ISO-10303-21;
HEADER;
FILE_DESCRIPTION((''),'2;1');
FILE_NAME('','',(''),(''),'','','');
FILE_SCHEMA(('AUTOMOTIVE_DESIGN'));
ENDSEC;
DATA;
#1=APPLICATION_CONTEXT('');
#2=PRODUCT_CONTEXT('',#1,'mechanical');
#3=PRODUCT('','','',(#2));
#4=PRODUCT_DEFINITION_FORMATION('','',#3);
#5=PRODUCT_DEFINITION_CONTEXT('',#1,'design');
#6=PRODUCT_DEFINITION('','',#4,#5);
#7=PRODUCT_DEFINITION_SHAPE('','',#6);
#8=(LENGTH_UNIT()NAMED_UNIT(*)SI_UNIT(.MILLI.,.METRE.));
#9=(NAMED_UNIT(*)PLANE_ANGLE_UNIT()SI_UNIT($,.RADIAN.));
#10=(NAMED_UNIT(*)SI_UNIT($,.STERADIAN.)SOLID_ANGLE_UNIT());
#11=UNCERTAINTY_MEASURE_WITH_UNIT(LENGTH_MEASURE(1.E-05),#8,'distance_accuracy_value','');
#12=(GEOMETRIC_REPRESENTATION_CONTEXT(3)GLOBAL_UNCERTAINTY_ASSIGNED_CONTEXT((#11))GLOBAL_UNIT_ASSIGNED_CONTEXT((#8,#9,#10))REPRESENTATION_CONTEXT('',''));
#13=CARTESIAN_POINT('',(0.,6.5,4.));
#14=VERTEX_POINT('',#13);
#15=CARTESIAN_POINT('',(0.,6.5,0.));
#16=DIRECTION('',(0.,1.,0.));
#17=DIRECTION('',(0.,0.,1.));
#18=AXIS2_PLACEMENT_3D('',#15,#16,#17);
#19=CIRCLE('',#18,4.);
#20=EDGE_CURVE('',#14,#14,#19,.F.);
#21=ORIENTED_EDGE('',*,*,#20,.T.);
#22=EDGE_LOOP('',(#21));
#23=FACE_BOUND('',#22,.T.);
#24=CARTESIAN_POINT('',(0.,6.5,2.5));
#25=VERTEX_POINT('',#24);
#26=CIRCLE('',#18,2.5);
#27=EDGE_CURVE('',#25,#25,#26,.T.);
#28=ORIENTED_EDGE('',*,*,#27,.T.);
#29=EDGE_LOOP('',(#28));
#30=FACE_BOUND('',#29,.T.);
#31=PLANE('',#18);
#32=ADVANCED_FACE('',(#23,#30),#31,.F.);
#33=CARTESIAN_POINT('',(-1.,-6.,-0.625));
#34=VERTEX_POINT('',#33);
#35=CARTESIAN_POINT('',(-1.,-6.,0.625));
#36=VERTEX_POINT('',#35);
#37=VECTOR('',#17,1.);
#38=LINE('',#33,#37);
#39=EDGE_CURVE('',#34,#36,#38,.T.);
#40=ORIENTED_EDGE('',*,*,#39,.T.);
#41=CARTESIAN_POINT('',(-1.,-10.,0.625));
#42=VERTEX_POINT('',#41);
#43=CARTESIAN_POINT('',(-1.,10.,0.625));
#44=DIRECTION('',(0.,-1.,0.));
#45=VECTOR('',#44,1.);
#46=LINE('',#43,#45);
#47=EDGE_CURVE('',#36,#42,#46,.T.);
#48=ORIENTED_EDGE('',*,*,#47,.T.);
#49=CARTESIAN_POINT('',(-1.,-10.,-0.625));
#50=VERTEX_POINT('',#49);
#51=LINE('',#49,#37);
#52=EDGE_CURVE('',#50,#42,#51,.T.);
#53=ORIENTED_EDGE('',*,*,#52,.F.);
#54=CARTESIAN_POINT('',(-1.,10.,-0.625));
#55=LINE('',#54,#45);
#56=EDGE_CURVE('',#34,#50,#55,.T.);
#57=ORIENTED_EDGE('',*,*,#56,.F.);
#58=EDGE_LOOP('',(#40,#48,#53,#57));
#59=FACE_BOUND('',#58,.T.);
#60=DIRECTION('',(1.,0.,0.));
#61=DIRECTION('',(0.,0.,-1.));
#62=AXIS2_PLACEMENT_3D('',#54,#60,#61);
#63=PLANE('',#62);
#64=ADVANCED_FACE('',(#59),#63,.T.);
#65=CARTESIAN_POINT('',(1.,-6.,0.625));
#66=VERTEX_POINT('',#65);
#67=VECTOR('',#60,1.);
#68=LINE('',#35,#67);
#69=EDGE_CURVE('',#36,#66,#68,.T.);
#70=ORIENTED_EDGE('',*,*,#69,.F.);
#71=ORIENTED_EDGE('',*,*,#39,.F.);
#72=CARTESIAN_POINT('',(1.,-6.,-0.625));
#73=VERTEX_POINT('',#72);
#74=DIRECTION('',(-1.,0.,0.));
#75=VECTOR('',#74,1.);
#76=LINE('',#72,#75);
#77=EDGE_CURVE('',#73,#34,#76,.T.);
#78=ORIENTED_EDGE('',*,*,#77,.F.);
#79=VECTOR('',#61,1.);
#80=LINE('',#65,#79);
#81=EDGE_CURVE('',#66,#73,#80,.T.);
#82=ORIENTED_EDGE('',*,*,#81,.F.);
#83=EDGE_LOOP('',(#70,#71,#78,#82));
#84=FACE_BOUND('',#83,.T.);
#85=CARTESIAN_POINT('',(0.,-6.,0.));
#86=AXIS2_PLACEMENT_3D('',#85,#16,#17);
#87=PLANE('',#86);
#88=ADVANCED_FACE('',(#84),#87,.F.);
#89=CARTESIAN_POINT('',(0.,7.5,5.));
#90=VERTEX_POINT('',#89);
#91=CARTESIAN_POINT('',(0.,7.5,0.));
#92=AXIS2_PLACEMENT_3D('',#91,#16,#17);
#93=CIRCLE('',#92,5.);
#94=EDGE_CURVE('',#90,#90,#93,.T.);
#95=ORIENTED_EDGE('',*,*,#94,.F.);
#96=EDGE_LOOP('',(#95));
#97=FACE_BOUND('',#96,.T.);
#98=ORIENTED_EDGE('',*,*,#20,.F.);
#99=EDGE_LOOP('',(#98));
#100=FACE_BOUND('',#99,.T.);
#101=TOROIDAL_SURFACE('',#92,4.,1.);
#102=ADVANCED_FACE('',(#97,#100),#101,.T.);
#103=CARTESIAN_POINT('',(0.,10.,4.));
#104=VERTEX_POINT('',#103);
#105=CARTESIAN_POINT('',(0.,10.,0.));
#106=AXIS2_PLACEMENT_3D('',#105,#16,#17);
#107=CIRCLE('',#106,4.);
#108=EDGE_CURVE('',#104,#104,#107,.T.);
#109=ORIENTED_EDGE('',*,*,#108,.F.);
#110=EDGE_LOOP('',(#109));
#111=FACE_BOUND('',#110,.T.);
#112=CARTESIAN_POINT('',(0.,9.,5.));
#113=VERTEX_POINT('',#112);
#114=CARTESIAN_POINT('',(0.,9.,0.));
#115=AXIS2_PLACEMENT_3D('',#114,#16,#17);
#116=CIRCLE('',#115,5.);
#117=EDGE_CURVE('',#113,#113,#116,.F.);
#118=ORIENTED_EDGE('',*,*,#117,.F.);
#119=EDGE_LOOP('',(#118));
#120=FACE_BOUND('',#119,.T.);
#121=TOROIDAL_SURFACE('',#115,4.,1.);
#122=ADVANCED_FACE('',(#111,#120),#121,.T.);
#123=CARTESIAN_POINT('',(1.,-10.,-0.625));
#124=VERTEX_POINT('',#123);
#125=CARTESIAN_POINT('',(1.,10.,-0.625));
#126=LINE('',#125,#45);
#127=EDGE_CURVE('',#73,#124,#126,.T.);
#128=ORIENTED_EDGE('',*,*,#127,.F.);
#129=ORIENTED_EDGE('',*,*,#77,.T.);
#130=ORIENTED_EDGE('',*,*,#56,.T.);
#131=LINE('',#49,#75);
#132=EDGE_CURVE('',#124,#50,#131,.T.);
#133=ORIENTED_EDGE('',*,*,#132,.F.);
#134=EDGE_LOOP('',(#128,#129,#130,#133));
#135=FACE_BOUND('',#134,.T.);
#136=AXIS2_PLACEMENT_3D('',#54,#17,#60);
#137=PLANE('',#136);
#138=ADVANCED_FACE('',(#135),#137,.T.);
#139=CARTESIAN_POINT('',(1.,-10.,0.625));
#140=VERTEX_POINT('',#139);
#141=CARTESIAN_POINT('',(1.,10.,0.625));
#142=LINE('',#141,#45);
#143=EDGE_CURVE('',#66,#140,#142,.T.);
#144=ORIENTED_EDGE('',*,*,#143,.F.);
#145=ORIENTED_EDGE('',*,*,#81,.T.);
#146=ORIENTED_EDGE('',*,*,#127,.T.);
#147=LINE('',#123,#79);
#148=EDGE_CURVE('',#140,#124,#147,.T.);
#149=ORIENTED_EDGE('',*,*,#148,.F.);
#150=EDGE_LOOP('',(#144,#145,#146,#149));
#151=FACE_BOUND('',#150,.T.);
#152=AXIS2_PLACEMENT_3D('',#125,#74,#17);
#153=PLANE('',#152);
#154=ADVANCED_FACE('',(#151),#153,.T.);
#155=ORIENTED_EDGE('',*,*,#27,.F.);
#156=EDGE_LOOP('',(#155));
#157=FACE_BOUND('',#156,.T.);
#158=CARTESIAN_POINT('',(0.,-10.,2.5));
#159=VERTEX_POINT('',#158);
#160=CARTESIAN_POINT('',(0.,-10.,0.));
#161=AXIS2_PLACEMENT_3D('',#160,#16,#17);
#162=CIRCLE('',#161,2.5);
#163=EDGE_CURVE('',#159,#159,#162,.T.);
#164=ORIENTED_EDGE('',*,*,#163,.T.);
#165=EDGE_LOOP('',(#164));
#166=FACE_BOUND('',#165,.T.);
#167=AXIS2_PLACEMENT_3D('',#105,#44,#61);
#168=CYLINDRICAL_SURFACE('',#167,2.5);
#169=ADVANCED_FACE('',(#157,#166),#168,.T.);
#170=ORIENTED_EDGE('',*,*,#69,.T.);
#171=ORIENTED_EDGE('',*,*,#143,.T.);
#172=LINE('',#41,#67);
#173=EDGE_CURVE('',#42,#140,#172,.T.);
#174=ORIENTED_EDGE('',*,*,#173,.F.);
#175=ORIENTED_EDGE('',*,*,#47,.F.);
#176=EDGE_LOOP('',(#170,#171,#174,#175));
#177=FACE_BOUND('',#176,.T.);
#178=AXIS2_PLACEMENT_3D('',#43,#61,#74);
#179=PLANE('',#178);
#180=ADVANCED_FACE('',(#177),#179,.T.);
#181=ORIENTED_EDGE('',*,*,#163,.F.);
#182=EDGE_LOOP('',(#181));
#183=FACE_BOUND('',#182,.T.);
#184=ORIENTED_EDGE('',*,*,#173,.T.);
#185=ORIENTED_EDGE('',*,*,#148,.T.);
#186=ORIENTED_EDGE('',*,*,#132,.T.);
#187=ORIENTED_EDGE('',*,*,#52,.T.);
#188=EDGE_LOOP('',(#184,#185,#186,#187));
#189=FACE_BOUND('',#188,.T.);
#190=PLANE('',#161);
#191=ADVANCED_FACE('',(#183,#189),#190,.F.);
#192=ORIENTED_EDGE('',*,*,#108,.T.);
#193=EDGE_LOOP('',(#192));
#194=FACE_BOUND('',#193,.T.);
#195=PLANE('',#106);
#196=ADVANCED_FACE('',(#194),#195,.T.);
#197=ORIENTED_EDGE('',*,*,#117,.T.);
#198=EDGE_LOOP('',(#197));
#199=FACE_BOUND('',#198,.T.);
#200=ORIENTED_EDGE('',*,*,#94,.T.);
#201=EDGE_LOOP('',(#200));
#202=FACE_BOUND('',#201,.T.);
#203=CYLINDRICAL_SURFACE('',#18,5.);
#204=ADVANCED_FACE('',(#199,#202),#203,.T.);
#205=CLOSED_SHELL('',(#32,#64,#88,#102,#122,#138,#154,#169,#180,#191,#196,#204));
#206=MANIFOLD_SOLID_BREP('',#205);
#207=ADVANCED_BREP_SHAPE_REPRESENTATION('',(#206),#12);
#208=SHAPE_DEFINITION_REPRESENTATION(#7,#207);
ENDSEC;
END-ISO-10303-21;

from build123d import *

# Parameters (mm, degrees)
SKETCH2_R           = 2.5
SKETCH2_W           = 2
SKETCH2_H           = 1.25
BOSS_EXTRUDE1_DEPTH = 10
FILLET1_R           = 1
SKETCH3_W           = 2
SKETCH3_H           = 1.25
BOSS_EXTRUDE5_DEPTH = 16
SKETCH4_R           = 5
THUMB_STICK_DEPTH   = 3.5
FILLET2_R           = 1
FILLET3_R           = 1


with BuildPart() as part:
    # Sketch2 → Boss-Extrude1 (new body, symmetric)
    with BuildSketch(Plane(origin=(0, 0, 0), x_dir=(1, 0, 0), z_dir=(0, 1, 0))):
        Circle(SKETCH2_R)
        Rectangle(SKETCH2_W, SKETCH2_H, mode=Mode.SUBTRACT)
    extrude(amount=BOSS_EXTRUDE1_DEPTH, both=True)

    # Fillet1
    fillet1_edges = [part.edges().sort_by_distance(p)[0] for p in [
        (-2.5, 10, 0),
    ]]
    fillet(fillet1_edges, radius=FILLET1_R)

    # Sketch3 → Boss-Extrude5 (add)
    with BuildSketch(Plane(origin=(0, 10, 0), x_dir=(1, 0, 0), z_dir=(0, 1, 0))):
        Rectangle(SKETCH3_W, SKETCH3_H)
    extrude(amount=-BOSS_EXTRUDE5_DEPTH)

    # Sketch4 → Thumb Stick (add)
    with BuildSketch(Plane(origin=(0, 10, 0), x_dir=(1, 0, 0), z_dir=(0, 1, 0))):
        Circle(SKETCH4_R)
    extrude(amount=-THUMB_STICK_DEPTH)

    # Fillet2
    fillet2_edges = [part.edges().sort_by_distance(p)[0] for p in [
        (-5, 6.5, 0),
    ]]
    fillet(fillet2_edges, radius=FILLET2_R)

    # Fillet3
    fillet3_edges = [part.edges().sort_by_distance(p)[0] for p in [
        (-5, 10, 0),
    ]]
    fillet(fillet3_edges, radius=FILLET3_R)


solid = part.part
